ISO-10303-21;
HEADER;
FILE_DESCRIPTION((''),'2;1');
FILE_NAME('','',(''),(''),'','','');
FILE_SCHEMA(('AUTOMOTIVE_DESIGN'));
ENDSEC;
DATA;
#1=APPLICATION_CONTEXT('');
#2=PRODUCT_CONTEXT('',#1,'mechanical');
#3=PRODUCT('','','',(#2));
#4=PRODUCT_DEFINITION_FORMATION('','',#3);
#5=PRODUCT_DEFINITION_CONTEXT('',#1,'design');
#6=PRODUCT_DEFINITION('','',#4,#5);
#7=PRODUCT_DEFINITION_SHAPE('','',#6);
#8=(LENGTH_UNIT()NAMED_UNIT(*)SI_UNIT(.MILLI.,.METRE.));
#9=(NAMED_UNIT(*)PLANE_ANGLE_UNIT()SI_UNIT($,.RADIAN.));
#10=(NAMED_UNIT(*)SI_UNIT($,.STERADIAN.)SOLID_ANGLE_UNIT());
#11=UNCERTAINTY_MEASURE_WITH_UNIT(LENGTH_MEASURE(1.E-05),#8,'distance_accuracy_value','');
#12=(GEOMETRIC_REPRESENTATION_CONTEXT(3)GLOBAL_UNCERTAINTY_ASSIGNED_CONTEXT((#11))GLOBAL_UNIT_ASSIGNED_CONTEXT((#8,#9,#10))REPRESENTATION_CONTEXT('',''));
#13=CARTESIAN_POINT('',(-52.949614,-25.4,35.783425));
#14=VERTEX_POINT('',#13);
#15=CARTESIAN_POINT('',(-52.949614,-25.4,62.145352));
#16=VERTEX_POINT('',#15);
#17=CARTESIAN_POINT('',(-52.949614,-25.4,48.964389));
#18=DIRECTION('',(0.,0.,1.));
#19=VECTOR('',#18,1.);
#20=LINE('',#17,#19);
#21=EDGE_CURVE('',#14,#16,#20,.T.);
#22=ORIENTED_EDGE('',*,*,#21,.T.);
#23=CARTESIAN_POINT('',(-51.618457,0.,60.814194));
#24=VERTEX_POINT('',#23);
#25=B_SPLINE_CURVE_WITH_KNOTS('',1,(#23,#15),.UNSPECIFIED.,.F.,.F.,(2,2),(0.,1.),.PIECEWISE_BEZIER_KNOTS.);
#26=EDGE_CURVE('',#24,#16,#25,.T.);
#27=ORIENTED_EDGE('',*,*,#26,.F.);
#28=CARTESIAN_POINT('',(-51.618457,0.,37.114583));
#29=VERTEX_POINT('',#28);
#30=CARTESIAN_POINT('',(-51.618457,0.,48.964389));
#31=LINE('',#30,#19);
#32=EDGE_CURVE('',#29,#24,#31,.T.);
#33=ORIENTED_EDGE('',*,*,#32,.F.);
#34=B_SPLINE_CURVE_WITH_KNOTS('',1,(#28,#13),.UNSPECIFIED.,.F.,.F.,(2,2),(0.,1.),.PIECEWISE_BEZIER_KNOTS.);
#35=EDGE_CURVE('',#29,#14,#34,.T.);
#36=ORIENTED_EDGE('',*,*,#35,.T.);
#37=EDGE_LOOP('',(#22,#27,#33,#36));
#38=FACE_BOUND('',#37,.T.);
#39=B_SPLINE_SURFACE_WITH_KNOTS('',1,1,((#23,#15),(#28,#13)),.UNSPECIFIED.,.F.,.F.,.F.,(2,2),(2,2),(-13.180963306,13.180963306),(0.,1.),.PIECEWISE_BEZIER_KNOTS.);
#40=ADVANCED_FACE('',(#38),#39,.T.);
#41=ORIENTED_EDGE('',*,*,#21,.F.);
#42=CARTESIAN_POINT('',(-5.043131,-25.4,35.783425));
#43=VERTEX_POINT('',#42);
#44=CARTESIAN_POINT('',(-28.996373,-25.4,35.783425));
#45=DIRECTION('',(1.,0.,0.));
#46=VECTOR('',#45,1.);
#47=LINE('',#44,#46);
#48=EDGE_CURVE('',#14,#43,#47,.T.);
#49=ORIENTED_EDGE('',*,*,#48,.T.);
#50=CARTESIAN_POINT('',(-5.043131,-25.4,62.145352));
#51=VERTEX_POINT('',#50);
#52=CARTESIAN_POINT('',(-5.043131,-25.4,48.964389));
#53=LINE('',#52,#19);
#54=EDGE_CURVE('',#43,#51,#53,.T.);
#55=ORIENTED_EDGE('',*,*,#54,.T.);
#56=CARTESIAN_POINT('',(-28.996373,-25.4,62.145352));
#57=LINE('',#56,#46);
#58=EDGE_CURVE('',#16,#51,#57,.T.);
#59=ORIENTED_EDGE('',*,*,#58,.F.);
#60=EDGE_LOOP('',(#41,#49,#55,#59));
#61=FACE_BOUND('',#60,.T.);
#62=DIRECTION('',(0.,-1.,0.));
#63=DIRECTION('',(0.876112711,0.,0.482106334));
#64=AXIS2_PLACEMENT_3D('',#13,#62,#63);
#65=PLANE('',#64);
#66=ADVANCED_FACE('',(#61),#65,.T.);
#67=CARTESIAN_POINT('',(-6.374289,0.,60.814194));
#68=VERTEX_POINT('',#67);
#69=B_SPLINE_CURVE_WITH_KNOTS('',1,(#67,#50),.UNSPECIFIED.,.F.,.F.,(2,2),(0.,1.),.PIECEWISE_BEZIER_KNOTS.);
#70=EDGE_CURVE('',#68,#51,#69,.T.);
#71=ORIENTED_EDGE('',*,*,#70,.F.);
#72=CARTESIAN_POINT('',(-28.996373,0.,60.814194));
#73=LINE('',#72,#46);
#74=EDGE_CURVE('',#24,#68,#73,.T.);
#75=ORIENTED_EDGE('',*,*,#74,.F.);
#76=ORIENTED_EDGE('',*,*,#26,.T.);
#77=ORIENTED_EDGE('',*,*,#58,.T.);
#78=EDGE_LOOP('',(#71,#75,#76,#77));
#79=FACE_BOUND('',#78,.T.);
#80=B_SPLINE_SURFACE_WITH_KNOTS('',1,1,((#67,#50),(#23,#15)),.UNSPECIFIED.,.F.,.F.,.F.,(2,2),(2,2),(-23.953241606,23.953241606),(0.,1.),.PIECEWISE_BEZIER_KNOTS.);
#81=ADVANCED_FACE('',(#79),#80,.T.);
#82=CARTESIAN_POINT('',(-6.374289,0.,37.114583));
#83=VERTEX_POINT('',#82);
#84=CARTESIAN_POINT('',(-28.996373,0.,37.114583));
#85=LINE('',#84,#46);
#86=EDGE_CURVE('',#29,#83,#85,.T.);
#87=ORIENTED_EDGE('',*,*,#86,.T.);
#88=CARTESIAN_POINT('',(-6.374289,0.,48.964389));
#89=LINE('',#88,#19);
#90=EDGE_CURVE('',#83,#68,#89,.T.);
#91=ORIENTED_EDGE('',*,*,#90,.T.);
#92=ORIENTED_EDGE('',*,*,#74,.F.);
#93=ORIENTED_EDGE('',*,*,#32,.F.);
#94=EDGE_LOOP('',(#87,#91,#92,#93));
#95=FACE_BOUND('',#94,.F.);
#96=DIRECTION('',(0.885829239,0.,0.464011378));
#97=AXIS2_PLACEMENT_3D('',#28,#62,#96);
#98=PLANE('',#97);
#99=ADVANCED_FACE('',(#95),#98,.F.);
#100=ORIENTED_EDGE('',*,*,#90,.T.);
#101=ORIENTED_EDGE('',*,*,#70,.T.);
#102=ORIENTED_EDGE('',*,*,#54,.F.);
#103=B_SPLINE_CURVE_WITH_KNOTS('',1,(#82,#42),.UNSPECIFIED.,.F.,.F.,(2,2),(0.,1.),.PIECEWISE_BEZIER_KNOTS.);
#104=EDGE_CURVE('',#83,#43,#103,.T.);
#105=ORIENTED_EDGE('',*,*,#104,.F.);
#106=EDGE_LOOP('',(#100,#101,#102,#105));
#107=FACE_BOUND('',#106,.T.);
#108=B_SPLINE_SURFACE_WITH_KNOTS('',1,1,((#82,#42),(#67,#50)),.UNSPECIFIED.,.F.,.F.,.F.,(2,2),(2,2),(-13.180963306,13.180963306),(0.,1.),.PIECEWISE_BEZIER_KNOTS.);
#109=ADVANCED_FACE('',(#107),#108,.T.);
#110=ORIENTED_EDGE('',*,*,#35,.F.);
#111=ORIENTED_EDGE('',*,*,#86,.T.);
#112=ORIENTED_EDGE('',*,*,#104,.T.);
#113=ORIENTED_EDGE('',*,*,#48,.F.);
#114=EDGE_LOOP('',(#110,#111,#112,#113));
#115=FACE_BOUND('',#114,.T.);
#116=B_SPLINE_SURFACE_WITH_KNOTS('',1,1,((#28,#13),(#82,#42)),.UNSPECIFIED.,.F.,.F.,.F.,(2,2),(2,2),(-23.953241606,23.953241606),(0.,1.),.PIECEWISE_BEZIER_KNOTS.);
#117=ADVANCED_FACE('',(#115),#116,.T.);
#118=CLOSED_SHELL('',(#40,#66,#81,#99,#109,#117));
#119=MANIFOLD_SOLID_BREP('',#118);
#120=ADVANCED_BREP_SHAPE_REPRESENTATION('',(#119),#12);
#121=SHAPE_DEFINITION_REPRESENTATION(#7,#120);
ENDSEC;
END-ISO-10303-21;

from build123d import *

# Parameters (mm, degrees)
F0_W     = 45.2441680245
F0_H     = 23.6996114254
F1_DEPTH = 25.4
F1_TAPER = -3


with BuildPart() as f1:
    # F0 (on Front) → F1 (new body)
    with BuildSketch(Plane.XZ):
        with Locations((-28.9963728283, 48.9643886685)):
            Rectangle(F0_W, F0_H)
    extrude(amount=F1_DEPTH, taper=F1_TAPER)


solid = f1.part
